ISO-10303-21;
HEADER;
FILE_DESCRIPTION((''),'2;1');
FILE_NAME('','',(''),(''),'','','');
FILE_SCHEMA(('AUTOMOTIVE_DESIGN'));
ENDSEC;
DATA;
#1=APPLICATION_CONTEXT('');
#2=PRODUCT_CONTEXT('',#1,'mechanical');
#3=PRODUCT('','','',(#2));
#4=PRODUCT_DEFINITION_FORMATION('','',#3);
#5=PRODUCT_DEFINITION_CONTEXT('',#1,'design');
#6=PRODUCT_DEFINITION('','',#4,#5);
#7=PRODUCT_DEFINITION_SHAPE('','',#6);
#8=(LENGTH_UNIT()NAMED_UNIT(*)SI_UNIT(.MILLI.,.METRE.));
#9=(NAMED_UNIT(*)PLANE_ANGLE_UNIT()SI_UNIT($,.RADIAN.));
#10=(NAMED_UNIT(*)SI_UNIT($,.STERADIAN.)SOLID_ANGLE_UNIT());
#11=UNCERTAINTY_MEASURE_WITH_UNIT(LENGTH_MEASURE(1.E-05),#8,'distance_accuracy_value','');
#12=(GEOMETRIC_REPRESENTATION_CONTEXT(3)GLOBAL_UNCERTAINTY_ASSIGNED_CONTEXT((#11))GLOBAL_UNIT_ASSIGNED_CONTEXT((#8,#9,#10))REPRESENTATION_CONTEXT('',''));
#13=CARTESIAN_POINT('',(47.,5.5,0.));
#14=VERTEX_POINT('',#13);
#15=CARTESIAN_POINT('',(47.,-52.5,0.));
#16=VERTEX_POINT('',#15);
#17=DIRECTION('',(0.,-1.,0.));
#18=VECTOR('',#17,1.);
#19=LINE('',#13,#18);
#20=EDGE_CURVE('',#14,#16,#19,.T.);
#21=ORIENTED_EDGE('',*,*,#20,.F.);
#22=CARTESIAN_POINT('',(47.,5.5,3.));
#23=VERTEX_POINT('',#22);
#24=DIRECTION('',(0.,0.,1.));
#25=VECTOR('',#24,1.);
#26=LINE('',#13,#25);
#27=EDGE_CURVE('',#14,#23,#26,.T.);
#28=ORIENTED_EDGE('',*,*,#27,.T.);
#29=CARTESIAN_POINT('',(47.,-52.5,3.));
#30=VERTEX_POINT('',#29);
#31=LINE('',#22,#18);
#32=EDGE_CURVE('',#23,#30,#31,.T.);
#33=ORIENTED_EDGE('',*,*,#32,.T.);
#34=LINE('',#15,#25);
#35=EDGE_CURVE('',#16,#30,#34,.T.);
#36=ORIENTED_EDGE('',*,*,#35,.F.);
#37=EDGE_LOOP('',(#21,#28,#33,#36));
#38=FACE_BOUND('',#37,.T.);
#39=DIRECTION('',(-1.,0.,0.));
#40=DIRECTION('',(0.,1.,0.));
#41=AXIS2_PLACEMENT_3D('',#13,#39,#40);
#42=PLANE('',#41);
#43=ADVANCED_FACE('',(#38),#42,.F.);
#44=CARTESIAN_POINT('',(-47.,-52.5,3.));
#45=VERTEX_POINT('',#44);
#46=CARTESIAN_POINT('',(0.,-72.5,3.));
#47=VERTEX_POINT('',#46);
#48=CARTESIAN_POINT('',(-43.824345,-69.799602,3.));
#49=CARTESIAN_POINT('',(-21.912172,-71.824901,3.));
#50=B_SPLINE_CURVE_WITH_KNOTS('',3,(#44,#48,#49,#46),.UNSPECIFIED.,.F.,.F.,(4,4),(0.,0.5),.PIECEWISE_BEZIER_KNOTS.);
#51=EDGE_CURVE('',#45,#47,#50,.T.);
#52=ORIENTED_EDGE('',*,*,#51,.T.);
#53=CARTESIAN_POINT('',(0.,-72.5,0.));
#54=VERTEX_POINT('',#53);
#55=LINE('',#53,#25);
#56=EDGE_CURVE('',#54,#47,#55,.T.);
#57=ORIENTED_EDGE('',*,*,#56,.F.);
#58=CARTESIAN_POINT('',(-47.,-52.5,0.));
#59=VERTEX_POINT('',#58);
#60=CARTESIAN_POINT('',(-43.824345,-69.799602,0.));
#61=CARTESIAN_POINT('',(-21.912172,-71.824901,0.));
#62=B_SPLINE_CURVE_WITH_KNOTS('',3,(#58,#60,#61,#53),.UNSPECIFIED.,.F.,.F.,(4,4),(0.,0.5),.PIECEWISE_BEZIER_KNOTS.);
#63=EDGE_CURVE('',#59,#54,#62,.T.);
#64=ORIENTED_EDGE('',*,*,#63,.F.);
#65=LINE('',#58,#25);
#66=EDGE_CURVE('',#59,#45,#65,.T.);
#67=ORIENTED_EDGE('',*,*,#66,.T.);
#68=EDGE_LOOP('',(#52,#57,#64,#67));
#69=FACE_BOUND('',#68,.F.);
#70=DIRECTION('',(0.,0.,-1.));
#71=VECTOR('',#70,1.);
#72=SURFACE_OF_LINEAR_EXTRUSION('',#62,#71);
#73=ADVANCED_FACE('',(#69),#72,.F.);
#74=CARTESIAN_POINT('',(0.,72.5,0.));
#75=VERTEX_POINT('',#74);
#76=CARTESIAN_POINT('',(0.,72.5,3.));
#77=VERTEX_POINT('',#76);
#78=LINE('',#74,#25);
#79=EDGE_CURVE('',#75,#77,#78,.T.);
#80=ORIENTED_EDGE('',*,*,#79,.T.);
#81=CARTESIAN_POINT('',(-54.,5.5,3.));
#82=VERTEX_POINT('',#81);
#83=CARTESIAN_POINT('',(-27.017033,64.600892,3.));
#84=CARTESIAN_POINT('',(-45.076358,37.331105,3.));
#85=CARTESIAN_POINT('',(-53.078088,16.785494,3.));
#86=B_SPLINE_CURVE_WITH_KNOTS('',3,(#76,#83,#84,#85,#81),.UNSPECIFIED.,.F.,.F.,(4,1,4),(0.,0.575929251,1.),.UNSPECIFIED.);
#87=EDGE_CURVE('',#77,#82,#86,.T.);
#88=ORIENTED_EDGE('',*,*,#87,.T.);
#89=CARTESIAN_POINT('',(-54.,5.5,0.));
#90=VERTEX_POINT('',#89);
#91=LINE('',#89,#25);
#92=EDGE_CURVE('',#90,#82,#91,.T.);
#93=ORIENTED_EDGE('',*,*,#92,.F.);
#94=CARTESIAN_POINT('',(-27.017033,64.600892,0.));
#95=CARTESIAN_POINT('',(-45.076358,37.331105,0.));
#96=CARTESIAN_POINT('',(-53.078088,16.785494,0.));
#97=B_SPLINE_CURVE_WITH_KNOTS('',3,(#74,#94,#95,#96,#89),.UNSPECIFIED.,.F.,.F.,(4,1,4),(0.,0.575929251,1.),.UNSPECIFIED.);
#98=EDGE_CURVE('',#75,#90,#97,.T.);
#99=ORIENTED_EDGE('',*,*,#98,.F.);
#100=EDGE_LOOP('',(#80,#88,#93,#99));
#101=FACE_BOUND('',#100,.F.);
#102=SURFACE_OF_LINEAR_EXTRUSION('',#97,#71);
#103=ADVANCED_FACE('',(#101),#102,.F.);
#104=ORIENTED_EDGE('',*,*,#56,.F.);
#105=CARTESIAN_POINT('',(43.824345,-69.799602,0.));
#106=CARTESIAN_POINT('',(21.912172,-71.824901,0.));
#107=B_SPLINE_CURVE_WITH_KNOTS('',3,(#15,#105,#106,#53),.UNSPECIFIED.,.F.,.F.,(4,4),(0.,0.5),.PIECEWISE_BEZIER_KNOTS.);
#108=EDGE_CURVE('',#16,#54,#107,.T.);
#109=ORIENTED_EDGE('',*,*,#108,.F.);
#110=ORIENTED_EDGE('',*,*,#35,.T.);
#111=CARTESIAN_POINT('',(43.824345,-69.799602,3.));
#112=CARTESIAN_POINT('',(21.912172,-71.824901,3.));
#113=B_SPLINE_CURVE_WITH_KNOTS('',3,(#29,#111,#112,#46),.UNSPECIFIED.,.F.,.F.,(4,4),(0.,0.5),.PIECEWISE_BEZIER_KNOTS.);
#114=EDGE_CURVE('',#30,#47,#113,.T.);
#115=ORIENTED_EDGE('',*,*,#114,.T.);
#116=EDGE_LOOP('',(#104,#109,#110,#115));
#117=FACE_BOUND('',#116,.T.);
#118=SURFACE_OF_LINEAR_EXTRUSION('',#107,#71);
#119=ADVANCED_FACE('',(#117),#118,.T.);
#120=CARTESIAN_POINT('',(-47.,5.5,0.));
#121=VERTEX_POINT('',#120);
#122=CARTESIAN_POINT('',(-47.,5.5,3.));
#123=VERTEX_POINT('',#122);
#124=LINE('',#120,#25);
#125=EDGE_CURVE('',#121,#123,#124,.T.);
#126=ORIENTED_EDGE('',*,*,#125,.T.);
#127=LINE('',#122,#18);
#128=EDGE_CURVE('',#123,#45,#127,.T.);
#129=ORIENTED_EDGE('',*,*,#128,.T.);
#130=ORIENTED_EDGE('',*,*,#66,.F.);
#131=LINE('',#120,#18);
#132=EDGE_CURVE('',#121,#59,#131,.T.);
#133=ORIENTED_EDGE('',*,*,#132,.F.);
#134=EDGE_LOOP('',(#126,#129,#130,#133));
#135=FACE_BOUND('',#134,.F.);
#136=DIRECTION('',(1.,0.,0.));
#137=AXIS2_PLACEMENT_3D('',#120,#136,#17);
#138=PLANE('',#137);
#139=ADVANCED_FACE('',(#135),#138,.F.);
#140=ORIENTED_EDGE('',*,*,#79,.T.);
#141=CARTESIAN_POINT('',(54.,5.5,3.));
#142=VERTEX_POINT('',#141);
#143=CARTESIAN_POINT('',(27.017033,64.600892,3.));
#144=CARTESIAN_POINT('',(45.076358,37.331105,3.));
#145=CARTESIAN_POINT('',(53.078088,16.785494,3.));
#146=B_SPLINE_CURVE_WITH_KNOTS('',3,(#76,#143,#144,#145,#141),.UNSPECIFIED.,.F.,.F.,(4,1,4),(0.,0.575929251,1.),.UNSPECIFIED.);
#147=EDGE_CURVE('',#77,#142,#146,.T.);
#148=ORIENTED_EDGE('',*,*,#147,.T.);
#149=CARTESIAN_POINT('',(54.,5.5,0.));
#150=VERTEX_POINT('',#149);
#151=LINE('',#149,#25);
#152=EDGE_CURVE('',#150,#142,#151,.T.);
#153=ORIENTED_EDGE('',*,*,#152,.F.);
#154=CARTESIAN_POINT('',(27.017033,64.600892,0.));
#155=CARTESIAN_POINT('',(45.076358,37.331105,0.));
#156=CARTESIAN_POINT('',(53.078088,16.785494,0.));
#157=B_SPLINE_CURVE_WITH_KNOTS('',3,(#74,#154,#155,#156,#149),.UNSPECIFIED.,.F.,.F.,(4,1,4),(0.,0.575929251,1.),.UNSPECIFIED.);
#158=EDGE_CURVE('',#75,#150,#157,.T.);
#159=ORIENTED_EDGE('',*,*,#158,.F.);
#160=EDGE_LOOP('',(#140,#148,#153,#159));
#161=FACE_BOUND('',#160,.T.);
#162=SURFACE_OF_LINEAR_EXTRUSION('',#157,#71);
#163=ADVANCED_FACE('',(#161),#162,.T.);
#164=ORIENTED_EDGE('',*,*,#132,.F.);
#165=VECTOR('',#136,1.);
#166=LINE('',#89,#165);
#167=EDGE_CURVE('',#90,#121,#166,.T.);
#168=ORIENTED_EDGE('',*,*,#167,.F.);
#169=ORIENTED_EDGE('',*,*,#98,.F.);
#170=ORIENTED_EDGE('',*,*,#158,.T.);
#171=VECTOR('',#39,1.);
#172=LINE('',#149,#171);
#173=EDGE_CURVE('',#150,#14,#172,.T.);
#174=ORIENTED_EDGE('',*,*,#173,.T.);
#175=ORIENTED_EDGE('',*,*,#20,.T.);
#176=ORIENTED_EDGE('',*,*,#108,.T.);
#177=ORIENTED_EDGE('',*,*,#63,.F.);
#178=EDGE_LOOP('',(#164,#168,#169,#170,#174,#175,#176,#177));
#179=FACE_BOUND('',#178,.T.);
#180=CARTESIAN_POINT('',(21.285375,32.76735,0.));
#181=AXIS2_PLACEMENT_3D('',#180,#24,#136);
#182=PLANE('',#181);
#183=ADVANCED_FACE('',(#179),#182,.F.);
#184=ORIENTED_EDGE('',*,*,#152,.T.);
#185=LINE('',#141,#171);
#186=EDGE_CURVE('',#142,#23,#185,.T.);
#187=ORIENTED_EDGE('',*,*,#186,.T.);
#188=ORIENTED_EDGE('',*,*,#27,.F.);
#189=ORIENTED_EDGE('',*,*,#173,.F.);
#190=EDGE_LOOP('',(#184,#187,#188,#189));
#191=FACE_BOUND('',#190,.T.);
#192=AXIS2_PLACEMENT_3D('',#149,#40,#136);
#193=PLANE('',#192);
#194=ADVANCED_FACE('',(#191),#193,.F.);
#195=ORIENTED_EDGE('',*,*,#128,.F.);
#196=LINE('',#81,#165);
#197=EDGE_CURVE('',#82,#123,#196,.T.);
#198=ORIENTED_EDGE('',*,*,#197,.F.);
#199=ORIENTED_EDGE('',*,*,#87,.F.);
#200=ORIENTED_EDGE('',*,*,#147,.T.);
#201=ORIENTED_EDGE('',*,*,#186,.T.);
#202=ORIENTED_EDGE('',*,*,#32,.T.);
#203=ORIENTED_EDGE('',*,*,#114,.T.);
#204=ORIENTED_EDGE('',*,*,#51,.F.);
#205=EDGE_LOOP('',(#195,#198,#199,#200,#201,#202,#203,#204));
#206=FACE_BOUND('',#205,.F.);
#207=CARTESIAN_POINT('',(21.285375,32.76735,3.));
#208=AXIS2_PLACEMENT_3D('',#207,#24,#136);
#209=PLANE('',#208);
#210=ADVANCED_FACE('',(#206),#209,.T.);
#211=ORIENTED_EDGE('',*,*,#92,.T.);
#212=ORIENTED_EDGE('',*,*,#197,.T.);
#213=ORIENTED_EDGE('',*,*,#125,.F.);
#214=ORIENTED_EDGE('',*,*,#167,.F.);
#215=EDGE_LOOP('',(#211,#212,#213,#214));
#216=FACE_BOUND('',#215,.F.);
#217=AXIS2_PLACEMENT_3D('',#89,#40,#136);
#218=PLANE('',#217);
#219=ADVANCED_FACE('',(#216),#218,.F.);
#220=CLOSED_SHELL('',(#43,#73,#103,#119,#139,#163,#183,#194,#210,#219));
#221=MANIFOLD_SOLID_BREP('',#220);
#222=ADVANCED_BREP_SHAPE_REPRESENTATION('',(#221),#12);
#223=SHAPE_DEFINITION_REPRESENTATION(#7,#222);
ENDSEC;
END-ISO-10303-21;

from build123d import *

# Parameters (mm, degrees)
F1_DEPTH = 3


with BuildPart() as f1:
    # F0 (on Top) → F1 (new body)
    with BuildSketch(Plane.XY):
        with BuildLine():
            add(Edge.make_bspline(
                [(0, 72.5), (-27.0170327276, 64.600892365), (-45.0763583617, 37.331105209), (-53.0780882863, 16.7854940657), (-54, 5.5)],
                knots=[0, 0, 0, 0, 0.5759292514, 1, 1, 1, 1], degree=3))
            Line((-54, 5.5), (-46.9999999926, 5.5))
            Line((-46.9999999926, 5.5), (0, 5.5))
            Line((0, 5.5), (0, 72.5))
        make_face()
        with BuildLine():
            Line((0, 5.5), (-46.9999999926, 5.5))
            Line((-46.9999999926, 5.5), (-46.9999999926, -52.5))
            add(Edge.make_bspline(
                [(-46.9999999926, -52.5), (-43.8243448734, -69.7996020317), (-21.9121724367, -71.8249005079), (0, -72.5)],
                knots=[0, 0, 0, 0, 0.5, 0.5, 0.5, 0.5], degree=3))
            Line((0, -72.5), (0, 5.5))
        make_face()
    extrude(amount=F1_DEPTH)

    # F2: F1 across face


with BuildPart() as f1_1:
    add(f1.part)
    add(f1.part.mirror(Plane(origin=(0, 0, 1.5), x_dir=(0, 1, 0), z_dir=(1, 0, 0))))


solid = f1_1.part
